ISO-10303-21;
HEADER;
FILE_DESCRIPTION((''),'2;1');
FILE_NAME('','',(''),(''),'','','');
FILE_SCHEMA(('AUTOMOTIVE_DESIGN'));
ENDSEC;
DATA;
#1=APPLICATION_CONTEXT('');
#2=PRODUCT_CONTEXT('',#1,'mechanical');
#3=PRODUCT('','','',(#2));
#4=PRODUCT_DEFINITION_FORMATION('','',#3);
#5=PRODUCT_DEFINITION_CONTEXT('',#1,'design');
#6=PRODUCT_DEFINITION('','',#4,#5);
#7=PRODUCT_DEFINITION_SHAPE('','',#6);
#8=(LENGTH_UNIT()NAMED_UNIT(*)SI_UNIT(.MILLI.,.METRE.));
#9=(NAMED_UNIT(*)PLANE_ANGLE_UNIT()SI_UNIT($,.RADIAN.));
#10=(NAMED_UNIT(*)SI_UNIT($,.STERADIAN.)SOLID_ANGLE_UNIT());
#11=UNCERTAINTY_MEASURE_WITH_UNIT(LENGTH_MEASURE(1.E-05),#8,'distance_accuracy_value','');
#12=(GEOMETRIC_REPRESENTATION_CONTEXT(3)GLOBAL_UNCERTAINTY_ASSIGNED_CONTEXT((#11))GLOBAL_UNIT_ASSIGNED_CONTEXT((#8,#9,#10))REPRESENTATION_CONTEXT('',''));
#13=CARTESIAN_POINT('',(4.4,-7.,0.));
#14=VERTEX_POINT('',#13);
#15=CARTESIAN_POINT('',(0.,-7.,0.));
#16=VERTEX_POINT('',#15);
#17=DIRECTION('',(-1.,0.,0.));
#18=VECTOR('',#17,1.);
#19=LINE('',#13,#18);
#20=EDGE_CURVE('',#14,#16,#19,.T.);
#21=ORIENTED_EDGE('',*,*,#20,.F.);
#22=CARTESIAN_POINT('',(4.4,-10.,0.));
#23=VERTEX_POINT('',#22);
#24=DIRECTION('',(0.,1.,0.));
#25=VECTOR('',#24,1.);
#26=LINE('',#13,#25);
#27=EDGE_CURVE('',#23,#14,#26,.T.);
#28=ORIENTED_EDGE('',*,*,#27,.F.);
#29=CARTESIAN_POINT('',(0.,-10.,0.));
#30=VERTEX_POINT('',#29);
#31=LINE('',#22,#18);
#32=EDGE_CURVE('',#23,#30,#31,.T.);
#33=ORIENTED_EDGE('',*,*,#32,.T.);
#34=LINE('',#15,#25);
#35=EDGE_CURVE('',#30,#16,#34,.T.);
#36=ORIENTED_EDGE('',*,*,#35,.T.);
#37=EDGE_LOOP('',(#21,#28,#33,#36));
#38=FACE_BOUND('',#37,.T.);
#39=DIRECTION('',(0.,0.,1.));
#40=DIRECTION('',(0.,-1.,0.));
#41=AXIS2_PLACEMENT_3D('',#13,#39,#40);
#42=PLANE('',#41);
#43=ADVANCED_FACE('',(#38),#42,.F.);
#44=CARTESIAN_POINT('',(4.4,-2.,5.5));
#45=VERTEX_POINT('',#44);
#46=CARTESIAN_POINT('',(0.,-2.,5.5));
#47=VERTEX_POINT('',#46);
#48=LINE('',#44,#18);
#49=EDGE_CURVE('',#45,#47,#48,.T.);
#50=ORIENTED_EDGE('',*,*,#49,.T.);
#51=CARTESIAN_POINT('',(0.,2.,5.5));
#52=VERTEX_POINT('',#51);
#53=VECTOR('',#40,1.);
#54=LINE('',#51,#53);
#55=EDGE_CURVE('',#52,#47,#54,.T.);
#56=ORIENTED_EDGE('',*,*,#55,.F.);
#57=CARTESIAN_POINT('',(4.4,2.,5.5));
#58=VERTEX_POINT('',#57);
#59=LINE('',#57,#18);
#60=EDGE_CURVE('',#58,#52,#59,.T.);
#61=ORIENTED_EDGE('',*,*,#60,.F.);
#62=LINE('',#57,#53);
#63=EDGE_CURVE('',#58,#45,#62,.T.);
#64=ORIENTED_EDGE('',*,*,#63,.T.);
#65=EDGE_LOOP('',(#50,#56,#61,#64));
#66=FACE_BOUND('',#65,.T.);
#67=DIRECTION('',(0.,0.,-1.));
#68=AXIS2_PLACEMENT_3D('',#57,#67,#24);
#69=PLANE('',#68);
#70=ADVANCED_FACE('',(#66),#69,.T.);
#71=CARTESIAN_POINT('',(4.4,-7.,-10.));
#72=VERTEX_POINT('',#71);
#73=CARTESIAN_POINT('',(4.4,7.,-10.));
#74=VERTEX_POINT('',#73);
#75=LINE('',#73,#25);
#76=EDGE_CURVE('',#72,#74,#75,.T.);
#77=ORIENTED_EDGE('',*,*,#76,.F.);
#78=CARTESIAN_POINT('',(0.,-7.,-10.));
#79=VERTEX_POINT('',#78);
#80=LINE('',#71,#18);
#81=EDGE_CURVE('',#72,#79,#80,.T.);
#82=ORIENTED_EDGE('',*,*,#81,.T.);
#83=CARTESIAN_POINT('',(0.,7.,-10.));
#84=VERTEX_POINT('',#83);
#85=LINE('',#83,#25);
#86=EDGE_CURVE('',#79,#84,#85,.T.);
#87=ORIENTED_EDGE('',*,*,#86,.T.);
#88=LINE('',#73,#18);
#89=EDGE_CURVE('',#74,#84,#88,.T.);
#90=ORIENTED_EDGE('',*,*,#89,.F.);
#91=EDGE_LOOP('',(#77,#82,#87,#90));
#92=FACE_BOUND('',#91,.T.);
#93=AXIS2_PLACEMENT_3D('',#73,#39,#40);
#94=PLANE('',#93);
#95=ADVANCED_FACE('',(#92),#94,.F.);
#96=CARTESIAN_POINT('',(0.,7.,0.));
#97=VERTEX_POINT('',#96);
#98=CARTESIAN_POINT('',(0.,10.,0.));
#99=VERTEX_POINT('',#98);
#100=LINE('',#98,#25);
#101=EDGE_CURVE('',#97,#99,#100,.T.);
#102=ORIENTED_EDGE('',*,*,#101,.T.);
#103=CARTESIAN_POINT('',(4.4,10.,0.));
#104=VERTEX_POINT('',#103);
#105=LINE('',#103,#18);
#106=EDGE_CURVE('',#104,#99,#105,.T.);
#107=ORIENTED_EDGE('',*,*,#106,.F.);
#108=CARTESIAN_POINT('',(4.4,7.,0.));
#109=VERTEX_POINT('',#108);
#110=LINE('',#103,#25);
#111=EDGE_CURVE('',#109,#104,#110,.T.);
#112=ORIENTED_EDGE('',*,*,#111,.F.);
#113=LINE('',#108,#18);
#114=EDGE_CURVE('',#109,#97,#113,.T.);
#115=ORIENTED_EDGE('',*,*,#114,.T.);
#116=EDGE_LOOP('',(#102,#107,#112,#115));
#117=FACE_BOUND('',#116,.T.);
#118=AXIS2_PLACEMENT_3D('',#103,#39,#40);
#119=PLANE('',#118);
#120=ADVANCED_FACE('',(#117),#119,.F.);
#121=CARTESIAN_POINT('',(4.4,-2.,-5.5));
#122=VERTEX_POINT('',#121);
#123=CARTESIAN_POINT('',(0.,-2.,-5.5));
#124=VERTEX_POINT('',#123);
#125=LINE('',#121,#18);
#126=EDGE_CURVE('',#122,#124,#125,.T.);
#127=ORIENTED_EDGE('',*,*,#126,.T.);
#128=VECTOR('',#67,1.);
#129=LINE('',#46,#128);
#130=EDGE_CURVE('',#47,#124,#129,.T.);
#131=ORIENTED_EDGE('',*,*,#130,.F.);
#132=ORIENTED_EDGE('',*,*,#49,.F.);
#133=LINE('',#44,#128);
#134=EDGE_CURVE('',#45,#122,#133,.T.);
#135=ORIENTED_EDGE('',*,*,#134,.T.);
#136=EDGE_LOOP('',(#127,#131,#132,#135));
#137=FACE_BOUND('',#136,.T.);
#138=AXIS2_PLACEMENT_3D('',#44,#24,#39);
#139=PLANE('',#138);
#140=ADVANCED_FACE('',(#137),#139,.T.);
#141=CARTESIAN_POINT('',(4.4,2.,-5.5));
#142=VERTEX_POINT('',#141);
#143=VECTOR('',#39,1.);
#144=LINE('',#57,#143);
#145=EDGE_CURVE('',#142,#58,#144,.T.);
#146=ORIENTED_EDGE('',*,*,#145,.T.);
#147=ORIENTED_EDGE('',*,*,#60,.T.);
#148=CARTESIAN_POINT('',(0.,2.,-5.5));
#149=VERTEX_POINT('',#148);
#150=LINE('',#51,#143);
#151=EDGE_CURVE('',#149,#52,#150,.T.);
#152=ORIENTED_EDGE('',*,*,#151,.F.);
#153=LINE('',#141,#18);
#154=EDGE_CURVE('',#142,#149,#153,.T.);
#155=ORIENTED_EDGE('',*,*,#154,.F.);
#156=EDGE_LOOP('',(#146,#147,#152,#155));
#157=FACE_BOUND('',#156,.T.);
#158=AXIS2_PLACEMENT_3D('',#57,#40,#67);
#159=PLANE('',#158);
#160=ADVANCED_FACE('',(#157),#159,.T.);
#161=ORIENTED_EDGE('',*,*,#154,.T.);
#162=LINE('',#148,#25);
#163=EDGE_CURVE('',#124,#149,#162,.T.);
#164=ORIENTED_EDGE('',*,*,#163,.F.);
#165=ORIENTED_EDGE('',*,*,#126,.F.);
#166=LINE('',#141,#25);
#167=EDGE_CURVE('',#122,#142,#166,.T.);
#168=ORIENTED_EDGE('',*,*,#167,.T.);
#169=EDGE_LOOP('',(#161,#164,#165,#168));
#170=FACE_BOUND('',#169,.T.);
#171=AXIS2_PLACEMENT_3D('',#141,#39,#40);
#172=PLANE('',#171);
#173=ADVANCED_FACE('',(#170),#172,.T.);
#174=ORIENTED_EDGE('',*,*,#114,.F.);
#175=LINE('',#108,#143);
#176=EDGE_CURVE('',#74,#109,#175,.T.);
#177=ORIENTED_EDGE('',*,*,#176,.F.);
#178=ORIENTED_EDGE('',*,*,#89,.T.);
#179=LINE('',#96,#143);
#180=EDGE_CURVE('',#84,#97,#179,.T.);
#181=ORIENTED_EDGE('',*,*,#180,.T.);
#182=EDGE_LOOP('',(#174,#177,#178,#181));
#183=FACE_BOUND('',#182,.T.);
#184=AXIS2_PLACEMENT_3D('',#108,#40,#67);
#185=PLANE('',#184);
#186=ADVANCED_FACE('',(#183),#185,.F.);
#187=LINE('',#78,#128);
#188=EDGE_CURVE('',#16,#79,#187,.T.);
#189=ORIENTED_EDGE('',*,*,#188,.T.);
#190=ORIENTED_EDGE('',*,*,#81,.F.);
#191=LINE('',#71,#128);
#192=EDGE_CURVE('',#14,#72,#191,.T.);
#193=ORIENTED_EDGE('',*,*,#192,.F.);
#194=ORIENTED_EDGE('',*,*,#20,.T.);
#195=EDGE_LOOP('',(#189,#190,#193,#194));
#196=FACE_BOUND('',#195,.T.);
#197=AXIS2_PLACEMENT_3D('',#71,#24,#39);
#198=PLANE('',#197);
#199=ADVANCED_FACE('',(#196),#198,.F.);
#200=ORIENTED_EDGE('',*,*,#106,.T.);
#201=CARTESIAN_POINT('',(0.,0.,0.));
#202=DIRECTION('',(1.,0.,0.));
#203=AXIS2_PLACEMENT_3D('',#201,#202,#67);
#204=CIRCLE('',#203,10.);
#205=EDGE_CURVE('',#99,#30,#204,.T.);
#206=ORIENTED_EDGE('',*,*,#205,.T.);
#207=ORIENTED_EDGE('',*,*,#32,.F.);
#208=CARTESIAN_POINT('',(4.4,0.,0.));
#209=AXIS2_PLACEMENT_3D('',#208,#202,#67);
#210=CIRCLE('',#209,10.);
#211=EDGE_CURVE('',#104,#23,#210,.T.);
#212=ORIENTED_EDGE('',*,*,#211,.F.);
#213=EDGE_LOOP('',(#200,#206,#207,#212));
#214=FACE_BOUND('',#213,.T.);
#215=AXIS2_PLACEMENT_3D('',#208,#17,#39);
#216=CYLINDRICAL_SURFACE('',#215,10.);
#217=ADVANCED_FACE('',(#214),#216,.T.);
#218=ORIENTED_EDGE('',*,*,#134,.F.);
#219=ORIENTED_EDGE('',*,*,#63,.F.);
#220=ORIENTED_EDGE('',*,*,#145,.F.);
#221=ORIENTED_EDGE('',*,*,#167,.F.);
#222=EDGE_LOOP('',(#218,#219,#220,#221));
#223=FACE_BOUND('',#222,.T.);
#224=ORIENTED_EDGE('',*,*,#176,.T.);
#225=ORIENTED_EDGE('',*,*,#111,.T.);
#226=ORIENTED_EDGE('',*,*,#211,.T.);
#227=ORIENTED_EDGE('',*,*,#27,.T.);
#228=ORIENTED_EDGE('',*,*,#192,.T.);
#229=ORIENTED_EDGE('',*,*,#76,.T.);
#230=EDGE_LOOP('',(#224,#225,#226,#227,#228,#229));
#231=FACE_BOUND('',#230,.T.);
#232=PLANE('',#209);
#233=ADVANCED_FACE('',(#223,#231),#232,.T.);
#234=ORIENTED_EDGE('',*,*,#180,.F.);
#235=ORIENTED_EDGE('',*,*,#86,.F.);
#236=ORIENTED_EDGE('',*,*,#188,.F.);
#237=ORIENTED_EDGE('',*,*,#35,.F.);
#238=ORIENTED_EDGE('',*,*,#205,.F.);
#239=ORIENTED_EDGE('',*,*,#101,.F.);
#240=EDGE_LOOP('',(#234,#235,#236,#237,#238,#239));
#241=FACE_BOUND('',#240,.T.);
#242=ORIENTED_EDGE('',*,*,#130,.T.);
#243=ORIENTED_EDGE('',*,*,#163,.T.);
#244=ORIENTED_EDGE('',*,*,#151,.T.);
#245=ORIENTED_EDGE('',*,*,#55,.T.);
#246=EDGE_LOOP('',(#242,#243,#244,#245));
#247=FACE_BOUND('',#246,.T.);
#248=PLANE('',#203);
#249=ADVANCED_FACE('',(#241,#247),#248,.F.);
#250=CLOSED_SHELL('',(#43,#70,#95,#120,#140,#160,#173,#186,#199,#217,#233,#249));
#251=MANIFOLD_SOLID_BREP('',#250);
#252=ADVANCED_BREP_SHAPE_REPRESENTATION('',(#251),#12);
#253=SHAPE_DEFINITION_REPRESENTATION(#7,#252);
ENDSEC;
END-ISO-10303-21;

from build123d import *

# Parameters (mm, degrees)
SKETCH1_W           = 11
SKETCH1_H           = 4
BOSS_EXTRUDE1_DEPTH = 4.4


with BuildPart() as part:
    # Sketch1 → Boss-Extrude1 (new body)
    with BuildSketch(Plane(origin=(0, 0, 0), x_dir=(0, 0, -1), z_dir=(1, 0, 0))):
        with BuildLine():
            Line((0, 10), (0, 7))
            Line((0, 7), (10, 7))
            Line((10, 7), (10, -7))
            Line((10, -7), (0, -7))
            Line((0, -7), (0, -10))
            ThreePointArc((0, -10), (-10, 0), (0, 10))
        make_face()
        Rectangle(SKETCH1_W, SKETCH1_H, mode=Mode.SUBTRACT)
    extrude(amount=BOSS_EXTRUDE1_DEPTH)


solid = part.part
